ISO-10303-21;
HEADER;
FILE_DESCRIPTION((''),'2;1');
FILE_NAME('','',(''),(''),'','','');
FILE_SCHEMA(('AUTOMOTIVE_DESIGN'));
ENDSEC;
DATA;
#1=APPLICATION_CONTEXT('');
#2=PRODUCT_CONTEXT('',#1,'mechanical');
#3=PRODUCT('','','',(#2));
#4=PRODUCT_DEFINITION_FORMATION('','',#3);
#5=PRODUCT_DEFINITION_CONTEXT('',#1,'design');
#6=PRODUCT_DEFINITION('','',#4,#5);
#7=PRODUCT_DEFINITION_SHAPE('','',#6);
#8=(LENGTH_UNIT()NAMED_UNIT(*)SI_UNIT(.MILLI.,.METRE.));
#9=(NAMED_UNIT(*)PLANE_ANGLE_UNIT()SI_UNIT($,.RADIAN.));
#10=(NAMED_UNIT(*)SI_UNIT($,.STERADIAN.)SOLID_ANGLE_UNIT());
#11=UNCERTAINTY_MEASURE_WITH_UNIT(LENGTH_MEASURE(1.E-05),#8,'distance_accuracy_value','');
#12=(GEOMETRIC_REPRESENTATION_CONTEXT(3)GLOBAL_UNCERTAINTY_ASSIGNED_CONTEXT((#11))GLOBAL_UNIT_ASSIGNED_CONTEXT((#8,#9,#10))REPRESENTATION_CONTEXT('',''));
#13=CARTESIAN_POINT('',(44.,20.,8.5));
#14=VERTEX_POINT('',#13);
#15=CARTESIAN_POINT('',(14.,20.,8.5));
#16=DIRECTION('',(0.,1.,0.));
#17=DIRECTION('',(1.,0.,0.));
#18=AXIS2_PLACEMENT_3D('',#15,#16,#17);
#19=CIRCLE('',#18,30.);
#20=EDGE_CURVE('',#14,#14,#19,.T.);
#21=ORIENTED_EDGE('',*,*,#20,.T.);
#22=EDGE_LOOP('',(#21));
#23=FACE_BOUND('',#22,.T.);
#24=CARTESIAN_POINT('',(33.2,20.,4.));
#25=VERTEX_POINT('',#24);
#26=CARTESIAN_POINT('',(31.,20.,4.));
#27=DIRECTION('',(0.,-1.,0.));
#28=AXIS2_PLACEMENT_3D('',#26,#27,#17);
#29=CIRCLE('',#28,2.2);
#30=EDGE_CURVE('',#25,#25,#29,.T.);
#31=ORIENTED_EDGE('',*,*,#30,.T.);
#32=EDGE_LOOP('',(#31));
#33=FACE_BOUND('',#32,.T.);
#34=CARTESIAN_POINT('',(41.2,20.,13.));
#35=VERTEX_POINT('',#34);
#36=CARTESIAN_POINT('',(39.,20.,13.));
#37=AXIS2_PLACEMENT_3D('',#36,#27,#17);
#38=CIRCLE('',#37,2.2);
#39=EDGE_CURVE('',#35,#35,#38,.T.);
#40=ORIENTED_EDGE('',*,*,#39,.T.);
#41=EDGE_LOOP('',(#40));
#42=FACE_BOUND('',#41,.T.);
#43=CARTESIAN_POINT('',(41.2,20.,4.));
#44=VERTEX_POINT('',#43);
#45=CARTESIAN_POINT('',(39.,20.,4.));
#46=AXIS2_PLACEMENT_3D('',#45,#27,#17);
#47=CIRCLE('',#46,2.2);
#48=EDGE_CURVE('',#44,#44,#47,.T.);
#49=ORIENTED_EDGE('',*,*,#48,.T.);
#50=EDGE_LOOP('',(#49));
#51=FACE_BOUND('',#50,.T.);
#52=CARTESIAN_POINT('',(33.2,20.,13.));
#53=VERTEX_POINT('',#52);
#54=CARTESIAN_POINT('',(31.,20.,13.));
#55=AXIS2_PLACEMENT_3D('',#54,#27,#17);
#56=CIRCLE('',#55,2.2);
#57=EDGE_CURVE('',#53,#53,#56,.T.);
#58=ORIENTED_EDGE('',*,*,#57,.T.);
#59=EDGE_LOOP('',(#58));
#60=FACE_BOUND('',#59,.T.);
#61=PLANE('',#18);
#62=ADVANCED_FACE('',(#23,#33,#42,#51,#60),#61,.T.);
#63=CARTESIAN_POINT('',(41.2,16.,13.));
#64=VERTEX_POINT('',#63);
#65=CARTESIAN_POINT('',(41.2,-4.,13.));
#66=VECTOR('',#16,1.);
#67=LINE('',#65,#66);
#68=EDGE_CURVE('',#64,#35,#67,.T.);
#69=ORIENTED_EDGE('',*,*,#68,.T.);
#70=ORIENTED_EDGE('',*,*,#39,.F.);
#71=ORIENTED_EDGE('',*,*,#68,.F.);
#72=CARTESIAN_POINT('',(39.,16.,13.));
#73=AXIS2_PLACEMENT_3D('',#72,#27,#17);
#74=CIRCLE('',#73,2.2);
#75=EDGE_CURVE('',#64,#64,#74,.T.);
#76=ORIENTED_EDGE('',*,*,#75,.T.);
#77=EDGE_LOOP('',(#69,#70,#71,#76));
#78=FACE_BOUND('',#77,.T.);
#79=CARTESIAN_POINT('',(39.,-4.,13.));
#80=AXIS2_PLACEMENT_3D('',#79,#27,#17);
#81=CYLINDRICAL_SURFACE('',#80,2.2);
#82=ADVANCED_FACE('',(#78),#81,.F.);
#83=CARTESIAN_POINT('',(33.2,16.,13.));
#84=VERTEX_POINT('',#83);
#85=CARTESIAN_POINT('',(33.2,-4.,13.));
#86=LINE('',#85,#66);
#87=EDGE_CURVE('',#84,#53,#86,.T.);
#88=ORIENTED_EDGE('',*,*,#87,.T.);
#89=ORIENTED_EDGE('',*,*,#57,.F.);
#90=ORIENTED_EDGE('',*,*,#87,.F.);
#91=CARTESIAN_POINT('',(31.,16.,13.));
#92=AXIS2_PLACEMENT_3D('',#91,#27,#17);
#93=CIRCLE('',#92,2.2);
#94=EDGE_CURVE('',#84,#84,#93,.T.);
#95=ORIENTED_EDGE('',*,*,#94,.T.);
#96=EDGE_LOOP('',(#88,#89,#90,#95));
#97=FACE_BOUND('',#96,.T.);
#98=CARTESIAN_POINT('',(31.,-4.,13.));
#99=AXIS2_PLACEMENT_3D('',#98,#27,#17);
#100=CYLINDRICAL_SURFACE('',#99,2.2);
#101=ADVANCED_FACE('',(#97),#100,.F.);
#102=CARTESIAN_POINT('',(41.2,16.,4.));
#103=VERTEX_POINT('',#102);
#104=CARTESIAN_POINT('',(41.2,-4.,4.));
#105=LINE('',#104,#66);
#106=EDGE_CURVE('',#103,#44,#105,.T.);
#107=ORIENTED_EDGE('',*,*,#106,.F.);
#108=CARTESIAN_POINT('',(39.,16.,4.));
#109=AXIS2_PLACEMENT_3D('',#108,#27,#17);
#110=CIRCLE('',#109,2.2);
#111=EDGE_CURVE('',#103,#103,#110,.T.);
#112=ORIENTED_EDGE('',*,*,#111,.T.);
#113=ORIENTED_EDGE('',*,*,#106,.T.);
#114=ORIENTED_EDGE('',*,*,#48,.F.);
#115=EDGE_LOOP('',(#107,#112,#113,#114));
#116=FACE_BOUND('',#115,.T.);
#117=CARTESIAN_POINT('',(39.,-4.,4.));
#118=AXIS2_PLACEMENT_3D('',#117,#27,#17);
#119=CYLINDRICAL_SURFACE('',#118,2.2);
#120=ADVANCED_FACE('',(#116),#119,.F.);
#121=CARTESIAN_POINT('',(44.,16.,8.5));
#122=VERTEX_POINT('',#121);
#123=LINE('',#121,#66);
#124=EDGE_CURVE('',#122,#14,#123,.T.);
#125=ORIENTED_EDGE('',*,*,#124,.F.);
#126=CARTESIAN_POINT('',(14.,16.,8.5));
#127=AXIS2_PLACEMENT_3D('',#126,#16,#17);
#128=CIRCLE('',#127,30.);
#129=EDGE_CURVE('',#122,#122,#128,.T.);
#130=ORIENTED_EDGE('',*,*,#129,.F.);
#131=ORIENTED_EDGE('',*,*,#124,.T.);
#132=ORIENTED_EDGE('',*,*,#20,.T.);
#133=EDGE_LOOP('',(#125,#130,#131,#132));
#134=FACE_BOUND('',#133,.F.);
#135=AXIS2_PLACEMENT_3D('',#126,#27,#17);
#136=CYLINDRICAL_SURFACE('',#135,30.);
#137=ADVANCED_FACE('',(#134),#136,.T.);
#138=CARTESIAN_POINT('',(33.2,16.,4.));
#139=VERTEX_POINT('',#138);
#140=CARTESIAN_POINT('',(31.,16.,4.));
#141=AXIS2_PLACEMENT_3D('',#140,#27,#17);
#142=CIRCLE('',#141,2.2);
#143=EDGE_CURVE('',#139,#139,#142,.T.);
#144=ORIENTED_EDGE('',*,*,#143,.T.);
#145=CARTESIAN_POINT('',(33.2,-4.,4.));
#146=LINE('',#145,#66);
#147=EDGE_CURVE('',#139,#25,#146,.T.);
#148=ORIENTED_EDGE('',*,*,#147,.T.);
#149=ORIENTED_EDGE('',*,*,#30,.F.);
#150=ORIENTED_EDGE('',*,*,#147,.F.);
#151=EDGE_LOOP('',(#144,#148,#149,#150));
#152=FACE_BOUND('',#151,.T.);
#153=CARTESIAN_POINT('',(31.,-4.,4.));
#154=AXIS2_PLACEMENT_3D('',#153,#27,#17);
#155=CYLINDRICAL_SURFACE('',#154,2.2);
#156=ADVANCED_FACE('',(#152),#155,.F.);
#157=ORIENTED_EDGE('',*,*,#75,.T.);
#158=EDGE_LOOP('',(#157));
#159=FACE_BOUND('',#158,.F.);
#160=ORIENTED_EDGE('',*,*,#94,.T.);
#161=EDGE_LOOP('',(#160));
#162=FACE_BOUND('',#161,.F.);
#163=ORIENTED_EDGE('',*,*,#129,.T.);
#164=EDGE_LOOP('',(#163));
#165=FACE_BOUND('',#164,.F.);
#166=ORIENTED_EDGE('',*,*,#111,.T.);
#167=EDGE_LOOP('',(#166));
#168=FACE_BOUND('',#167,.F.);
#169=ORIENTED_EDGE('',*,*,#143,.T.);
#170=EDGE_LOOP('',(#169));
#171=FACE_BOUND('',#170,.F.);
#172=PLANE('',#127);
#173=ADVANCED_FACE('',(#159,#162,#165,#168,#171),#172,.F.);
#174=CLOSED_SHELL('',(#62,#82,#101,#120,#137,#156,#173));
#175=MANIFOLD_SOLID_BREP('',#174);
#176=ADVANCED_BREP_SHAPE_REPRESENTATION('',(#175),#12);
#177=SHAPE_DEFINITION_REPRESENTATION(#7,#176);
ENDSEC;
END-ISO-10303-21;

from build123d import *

# Parameters (mm, degrees)
CYLINDER019_R          = 2.2
CYLINDER019_DEPTH      = 26
CYLINDER019_ROLL_ANGLE = -90
ARRAY005_X_COUNT       = 2
ARRAY005_X_PITCH       = 8
ARRAY005_Z_COUNT       = 2
ARRAY005_Z_PITCH       = 9
CYLINDER018_R          = 30
CYLINDER018_DEPTH      = 4
CYLINDER018_ROLL_ANGLE = -90


with BuildPart() as taladros_suje_traccion003:
    # Cylinder019 → Cylinder019 (new body)
    with BuildSketch(Plane.XY):
        Circle(CYLINDER019_R)
    extrude(amount=CYLINDER019_DEPTH)


with BuildPart() as taladros_suje_traccion003_1:
    # Cylinder019 roll: moved
    add(taladros_suje_traccion003.part.rotate(Axis((0, 0, 0), (1, 0, 0)), CYLINDER019_ROLL_ANGLE))


with BuildPart() as taladros_suje_traccion003_2:
    # Cylinder019 placement: moved
    add(taladros_suje_traccion003_1.part.moved(Location((202, 0, 4))))

    # Array005 X: Taladros_suje_traccion003 ×2


with BuildPart() as taladros_suje_traccion003_3:
    add(taladros_suje_traccion003_2.part)
    with Locations(*[(i * ARRAY005_X_PITCH, 0, 0) for i in range(1, ARRAY005_X_COUNT)]):
        add(taladros_suje_traccion003_2.part)

    # Array005 Z: Taladros_suje_traccion003 ×2


with BuildPart() as taladros_suje_traccion003_4:
    add(taladros_suje_traccion003_3.part)
    with Locations(*[(0, 0, i * ARRAY005_Z_PITCH) for i in range(1, ARRAY005_Z_COUNT)]):
        add(taladros_suje_traccion003_3.part)


with BuildPart() as traccion001:
    # Cylinder018 → Cylinder018 (new body)
    with BuildSketch(Plane.XY):
        Circle(CYLINDER018_R)
    extrude(amount=CYLINDER018_DEPTH)


with BuildPart() as traccion001_1:
    # Cylinder018 roll: moved
    add(traccion001.part.rotate(Axis((0, 0, 0), (1, 0, 0)), CYLINDER018_ROLL_ANGLE))


with BuildPart() as traccion001_2:
    # Cylinder018 placement: moved
    add(traccion001_1.part.moved(Location((185, 20, 8.5))))

    # Cut015: cut Taladros_suje_traccion003
    add(taladros_suje_traccion003_4.part, mode=Mode.SUBTRACT)


with BuildPart() as traccion001_3:
    # Cut015 placement: moved
    add(traccion001_2.part.moved(Location((-171, -4, 0))))


solid = traccion001_3.part
